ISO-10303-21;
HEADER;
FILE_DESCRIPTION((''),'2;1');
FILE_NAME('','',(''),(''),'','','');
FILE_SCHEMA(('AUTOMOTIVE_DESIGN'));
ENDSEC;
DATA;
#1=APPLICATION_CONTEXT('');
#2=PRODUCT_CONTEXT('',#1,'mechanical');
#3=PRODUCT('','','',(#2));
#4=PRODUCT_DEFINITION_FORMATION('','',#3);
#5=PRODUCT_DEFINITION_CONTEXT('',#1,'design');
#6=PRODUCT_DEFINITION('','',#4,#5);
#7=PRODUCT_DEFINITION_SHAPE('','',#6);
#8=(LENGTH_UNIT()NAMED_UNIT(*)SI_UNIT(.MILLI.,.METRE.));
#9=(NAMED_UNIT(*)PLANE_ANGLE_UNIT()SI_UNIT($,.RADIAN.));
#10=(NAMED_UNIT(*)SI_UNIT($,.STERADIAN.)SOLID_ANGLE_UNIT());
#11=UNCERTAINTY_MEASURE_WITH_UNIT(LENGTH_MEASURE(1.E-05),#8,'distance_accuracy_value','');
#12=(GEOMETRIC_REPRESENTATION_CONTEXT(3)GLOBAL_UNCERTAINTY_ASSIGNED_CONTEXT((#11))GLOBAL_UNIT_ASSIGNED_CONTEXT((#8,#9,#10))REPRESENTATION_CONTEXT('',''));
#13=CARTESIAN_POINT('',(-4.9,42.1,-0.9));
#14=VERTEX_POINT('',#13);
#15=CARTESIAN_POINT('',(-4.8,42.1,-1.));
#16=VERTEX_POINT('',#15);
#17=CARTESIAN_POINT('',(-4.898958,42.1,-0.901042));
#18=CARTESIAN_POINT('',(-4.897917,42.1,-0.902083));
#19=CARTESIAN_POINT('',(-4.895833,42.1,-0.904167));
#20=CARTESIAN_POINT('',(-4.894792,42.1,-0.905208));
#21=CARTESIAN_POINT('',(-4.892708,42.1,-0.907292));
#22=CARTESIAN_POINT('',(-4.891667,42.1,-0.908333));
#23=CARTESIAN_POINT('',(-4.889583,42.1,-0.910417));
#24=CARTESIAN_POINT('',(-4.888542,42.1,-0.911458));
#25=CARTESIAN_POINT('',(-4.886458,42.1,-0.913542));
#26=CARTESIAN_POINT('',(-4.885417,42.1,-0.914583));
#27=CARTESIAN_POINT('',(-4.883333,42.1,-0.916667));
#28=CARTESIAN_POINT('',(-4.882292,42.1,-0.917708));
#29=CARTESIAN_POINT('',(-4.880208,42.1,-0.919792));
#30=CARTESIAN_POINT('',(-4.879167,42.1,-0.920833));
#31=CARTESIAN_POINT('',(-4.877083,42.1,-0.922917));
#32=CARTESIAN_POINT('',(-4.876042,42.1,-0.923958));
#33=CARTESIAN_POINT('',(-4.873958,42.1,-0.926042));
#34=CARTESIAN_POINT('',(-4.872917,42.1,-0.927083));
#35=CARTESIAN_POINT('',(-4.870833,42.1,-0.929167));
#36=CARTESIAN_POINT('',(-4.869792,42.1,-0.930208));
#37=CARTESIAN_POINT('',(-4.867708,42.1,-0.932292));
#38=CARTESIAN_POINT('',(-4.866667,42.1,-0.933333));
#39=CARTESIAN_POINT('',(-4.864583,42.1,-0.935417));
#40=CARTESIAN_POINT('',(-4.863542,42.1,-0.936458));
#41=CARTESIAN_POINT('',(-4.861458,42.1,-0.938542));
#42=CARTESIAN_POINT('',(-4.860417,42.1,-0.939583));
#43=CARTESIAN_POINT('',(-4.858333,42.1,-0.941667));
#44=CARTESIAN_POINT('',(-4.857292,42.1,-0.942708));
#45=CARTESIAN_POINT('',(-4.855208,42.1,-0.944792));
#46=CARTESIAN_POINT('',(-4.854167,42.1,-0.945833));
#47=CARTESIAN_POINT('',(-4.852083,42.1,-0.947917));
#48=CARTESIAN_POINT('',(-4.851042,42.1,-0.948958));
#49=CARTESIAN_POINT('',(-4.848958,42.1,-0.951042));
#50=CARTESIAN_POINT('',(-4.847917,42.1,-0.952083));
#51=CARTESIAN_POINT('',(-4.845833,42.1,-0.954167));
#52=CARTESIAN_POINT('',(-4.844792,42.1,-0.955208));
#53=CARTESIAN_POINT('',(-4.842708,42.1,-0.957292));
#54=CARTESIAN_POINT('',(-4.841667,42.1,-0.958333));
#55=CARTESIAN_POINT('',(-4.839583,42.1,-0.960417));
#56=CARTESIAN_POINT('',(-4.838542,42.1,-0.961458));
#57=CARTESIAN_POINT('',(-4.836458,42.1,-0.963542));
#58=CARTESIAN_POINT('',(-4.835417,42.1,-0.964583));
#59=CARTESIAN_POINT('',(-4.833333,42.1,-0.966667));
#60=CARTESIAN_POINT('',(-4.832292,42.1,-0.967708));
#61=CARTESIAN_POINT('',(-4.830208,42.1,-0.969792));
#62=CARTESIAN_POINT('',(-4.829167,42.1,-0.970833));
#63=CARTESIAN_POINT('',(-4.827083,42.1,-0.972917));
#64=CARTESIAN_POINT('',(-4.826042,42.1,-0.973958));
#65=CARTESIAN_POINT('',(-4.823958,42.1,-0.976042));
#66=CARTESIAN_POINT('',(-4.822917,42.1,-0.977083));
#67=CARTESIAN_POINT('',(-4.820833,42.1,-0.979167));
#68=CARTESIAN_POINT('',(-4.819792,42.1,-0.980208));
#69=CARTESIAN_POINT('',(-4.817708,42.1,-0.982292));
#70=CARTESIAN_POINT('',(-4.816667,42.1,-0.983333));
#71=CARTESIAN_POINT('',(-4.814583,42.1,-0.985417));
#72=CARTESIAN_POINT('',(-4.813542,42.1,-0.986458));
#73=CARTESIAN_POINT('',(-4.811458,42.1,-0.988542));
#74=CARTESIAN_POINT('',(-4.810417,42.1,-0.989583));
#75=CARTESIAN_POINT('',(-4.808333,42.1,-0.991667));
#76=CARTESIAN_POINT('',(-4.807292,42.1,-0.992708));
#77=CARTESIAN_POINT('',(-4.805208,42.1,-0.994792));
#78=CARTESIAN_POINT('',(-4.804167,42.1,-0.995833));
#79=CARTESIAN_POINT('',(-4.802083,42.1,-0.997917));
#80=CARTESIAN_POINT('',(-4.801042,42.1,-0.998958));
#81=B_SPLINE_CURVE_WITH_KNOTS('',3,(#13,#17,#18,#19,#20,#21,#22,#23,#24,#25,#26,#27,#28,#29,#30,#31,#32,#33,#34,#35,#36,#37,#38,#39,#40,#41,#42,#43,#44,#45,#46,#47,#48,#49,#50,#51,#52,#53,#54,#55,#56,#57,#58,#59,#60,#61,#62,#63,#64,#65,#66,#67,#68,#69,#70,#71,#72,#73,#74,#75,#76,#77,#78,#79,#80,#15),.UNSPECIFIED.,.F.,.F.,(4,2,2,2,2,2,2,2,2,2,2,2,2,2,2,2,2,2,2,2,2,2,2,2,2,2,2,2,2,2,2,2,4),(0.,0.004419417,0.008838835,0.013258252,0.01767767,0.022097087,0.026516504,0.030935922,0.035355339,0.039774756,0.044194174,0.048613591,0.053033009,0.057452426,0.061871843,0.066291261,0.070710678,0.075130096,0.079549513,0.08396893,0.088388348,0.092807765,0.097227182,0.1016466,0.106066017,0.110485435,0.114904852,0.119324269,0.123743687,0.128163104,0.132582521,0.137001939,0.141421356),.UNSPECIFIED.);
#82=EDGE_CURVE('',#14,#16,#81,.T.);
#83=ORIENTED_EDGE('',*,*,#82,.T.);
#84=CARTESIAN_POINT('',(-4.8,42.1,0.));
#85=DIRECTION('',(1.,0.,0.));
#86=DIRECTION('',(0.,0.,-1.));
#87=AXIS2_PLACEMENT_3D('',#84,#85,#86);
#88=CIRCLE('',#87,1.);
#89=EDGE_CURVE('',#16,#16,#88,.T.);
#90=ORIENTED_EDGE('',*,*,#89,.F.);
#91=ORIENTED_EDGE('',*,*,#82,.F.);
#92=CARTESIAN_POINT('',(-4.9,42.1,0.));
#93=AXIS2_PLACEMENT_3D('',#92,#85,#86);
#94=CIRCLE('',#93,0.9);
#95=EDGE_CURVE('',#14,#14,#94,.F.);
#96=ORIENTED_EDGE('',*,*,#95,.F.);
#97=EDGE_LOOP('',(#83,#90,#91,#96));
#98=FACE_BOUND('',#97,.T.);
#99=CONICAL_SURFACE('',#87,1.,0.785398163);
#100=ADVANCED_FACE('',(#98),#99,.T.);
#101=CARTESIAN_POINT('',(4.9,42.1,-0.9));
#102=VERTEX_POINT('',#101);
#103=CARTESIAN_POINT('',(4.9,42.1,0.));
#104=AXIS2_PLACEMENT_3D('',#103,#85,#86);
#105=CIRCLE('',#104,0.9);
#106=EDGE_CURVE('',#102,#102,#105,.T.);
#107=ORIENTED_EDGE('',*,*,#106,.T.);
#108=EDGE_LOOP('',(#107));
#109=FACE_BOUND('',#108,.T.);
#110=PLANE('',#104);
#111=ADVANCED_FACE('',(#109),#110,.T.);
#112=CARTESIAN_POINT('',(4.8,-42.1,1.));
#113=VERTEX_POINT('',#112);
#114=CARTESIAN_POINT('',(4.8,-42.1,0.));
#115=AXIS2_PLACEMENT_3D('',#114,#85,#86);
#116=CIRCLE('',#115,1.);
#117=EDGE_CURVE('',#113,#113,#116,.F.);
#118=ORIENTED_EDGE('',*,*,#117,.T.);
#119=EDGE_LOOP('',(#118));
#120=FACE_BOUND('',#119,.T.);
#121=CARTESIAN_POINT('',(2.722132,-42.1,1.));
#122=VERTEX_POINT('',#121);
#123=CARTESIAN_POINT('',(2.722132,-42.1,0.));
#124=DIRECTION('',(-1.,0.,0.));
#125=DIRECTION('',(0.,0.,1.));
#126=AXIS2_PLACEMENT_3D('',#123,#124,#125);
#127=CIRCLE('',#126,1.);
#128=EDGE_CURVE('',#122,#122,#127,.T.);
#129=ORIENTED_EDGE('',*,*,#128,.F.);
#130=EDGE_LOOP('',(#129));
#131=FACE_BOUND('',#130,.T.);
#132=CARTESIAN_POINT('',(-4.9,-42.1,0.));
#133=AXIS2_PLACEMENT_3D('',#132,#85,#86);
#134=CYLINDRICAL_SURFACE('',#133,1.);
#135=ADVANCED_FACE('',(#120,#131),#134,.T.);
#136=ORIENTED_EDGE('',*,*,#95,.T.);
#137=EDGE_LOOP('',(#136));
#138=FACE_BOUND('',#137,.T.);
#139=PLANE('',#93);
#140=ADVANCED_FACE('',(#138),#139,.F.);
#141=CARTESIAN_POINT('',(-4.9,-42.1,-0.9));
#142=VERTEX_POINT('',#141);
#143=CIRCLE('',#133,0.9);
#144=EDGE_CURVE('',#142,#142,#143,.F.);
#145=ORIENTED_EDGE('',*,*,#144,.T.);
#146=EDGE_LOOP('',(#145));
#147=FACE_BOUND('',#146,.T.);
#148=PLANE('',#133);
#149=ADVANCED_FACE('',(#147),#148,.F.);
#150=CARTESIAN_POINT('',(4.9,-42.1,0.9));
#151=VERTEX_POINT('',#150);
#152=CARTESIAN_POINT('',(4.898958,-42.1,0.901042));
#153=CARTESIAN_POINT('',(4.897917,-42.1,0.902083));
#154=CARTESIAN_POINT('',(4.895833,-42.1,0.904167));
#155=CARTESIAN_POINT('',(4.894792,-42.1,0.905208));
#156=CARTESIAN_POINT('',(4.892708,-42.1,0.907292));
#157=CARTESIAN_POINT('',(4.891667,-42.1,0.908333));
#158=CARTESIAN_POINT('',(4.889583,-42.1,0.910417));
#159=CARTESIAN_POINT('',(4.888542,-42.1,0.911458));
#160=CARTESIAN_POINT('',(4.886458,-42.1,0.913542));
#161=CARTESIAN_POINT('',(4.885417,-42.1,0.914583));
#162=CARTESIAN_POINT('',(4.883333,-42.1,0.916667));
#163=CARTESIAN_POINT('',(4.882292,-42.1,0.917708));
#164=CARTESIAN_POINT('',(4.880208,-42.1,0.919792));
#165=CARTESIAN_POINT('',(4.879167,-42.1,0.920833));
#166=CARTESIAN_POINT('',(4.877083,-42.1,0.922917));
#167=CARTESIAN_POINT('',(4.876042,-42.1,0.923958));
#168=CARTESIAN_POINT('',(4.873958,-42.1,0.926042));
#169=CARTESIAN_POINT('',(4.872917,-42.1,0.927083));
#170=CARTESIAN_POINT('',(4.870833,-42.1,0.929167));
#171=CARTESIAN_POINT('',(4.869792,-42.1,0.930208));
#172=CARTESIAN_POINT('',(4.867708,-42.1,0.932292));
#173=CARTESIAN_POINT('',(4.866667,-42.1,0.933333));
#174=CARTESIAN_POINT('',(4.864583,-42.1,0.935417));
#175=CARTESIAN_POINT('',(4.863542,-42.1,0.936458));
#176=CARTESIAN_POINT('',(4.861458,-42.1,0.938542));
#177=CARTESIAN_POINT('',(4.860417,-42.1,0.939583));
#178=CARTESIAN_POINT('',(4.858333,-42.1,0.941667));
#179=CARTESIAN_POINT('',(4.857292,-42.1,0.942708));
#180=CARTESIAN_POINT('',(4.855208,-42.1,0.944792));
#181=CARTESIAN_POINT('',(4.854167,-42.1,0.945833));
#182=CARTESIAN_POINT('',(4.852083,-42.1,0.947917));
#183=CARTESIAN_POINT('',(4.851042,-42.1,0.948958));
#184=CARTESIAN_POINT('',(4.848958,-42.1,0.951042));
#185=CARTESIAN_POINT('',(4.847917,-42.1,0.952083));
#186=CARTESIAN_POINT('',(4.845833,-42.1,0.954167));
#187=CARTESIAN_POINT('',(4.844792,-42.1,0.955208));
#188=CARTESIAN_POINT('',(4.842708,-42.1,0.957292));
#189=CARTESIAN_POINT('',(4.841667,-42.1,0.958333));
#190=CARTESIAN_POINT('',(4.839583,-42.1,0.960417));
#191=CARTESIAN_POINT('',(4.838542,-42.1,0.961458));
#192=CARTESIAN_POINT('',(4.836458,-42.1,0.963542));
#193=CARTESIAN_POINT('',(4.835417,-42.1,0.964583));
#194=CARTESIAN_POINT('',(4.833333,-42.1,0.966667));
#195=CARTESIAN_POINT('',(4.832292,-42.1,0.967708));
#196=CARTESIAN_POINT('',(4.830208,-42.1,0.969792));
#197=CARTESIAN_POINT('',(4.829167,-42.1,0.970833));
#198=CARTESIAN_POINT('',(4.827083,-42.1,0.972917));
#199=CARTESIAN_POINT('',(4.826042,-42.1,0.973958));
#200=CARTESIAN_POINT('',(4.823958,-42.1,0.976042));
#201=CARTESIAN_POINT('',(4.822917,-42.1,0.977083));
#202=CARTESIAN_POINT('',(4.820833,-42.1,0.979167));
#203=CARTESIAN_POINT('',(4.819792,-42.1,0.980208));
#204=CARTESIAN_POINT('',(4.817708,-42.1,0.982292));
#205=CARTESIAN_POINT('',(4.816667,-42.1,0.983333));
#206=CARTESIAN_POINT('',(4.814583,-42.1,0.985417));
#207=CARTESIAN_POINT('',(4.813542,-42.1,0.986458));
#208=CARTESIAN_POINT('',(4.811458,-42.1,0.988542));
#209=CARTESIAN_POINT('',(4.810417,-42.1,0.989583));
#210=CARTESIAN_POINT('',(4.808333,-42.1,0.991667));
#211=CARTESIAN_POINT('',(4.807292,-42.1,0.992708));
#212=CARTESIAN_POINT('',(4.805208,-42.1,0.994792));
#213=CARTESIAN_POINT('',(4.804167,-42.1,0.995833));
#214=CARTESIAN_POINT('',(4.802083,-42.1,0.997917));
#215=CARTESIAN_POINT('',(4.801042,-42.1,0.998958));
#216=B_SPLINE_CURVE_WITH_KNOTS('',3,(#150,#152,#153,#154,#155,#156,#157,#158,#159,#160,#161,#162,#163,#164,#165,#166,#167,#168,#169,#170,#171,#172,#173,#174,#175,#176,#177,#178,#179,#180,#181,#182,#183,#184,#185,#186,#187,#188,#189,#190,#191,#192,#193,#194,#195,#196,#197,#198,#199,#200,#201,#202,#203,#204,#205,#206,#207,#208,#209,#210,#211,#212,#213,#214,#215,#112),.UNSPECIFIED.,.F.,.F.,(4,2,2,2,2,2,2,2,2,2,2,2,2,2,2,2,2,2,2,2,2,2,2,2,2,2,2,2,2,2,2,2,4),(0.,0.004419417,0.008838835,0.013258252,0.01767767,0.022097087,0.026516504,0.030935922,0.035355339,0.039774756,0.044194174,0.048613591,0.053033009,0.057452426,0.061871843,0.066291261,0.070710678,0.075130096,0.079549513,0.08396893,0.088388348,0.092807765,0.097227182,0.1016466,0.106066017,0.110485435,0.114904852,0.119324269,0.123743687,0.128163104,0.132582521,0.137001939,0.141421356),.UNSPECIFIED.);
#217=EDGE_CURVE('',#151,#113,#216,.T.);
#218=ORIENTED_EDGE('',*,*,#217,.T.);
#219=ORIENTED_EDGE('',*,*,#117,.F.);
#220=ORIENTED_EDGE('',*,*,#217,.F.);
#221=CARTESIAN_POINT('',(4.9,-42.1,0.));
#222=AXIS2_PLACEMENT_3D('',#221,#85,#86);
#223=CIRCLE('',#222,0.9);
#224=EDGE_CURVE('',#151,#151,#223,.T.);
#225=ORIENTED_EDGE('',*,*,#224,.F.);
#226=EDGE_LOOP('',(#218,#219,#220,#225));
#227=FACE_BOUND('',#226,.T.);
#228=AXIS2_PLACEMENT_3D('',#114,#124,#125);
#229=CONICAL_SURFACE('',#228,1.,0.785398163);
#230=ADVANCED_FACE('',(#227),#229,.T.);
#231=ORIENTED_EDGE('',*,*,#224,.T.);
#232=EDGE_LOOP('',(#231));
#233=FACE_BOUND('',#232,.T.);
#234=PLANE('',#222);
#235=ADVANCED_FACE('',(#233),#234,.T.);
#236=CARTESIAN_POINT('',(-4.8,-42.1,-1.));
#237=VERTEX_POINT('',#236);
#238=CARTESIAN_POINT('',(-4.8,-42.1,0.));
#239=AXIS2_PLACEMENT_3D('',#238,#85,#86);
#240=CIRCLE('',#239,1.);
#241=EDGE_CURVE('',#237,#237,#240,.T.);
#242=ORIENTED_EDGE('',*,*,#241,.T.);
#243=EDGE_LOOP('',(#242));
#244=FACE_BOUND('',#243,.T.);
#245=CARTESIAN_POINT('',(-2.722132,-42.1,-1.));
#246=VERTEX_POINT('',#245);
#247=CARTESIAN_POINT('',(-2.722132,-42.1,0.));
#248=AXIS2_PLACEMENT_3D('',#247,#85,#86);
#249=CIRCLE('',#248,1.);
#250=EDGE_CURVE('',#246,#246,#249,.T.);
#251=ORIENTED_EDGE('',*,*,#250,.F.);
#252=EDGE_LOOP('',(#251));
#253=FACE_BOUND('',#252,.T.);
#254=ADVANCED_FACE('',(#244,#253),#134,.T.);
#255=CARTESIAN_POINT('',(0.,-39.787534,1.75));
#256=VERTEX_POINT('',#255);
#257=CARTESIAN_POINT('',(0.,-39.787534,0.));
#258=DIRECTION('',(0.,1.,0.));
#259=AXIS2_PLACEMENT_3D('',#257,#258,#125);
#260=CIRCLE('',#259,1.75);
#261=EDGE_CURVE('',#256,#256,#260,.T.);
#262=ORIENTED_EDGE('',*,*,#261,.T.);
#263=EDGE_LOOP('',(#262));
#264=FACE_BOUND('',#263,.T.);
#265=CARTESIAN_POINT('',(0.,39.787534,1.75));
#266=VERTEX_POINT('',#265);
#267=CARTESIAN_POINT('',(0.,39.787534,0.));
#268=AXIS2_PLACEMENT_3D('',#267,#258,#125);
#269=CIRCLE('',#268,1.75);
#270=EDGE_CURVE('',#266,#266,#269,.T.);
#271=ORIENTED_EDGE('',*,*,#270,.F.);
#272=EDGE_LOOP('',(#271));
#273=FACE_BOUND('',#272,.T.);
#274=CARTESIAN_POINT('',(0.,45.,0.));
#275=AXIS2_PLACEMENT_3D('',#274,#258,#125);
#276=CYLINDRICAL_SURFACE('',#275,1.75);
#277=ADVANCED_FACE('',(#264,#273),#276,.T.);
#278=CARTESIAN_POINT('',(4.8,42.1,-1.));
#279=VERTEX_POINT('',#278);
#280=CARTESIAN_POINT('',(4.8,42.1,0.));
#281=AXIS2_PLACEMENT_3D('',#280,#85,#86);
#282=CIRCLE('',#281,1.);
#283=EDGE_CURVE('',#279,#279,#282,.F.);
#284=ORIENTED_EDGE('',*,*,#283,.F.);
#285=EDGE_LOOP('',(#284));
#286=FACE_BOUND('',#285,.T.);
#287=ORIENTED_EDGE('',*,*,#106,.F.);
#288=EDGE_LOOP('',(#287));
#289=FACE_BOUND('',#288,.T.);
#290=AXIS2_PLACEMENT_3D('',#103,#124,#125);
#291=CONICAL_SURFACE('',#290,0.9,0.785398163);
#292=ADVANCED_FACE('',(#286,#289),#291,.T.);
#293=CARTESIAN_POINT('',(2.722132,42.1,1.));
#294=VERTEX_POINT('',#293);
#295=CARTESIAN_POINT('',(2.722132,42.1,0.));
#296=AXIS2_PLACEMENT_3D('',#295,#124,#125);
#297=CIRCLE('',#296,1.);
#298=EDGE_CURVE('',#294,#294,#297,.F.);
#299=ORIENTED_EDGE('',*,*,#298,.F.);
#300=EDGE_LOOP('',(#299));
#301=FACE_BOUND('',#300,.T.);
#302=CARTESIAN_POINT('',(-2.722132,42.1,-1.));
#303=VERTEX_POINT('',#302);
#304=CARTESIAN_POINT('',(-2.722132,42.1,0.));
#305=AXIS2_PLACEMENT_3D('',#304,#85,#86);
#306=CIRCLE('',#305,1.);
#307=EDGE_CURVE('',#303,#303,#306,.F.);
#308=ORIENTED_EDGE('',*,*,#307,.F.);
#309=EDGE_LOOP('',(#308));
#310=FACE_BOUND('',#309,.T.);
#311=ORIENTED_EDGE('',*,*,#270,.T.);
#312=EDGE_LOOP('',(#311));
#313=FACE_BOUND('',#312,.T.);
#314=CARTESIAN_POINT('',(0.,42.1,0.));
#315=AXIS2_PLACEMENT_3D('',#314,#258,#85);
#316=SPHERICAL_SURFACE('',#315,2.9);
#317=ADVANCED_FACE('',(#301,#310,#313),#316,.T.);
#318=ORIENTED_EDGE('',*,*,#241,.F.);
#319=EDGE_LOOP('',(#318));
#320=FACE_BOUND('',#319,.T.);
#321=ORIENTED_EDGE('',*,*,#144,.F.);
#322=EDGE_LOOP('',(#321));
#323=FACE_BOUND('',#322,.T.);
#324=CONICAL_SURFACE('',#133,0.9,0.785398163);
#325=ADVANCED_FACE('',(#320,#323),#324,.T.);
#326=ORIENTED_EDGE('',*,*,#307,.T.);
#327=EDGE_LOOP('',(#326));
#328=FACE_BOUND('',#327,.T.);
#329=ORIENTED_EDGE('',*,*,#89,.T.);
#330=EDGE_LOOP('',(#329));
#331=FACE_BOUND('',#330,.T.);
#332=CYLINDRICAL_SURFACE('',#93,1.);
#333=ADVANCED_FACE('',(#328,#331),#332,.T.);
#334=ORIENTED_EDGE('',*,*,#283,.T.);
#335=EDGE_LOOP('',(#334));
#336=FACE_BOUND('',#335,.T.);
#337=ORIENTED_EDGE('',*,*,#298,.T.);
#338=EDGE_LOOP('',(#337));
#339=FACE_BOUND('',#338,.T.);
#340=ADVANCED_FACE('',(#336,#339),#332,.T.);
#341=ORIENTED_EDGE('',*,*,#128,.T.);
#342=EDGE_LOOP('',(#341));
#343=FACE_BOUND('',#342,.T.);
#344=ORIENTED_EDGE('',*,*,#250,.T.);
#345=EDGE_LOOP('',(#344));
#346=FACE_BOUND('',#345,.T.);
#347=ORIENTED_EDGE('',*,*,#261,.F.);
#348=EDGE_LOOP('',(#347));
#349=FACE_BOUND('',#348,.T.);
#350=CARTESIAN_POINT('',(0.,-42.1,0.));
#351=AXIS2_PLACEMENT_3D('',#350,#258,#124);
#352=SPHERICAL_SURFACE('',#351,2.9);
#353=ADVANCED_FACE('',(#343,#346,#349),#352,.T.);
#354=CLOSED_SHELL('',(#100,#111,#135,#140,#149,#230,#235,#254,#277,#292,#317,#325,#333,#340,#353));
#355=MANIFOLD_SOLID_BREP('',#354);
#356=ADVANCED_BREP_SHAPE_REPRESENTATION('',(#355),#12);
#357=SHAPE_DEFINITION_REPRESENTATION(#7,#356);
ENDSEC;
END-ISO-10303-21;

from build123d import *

# Parameters (mm, degrees)
ESQUISSE2_R        = 1
BOSS_EXTRU_1_DEPTH = 4.9
CHANFREIN1_SIZE    = 0.1


with BuildPart() as part:
    # Esquisse1 → Révolution1 (revolve)
    with BuildSketch(Plane.XY):
        with BuildLine():
            Line((-1.75, -39.787533784), (-1.75, 39.787533784))
            ThreePointArc((-1.75, 39.787533784), (-2.749195521, 43.022997284), (0, 45))
            Line((0, 45), (0, -45))
            ThreePointArc((0, -45), (-2.749195521, -43.022997284), (-1.75, -39.787533784))
        make_face()
    revolve(axis=Axis((0, 45, 0), (0, -1, 0)))

    # Esquisse2 → Boss.-Extru.1 (add, symmetric)
    with BuildSketch(Plane(origin=(0, 0, 0), x_dir=(0, 0, -1), z_dir=(1, 0, 0))):
        with Locations((0, 42.1)):
            Circle(ESQUISSE2_R)
    boss_extru_1 = extrude(amount=BOSS_EXTRU_1_DEPTH, both=True)

    # Symétrie3: Boss.-Extru.1 across plane
    add(boss_extru_1.mirror(Plane.ZX))

    # Chanfrein1
    chanfrein1_edges = [part.edges().sort_by_distance(p)[0] for p in [
        (4.9, 42.1, 1),
        (-4.9, 42.1, 1),
        (4.9, -42.1, 1),
        (-4.9, -42.1, 1),
    ]]
    chamfer(chanfrein1_edges, length=CHANFREIN1_SIZE)


solid = part.part
